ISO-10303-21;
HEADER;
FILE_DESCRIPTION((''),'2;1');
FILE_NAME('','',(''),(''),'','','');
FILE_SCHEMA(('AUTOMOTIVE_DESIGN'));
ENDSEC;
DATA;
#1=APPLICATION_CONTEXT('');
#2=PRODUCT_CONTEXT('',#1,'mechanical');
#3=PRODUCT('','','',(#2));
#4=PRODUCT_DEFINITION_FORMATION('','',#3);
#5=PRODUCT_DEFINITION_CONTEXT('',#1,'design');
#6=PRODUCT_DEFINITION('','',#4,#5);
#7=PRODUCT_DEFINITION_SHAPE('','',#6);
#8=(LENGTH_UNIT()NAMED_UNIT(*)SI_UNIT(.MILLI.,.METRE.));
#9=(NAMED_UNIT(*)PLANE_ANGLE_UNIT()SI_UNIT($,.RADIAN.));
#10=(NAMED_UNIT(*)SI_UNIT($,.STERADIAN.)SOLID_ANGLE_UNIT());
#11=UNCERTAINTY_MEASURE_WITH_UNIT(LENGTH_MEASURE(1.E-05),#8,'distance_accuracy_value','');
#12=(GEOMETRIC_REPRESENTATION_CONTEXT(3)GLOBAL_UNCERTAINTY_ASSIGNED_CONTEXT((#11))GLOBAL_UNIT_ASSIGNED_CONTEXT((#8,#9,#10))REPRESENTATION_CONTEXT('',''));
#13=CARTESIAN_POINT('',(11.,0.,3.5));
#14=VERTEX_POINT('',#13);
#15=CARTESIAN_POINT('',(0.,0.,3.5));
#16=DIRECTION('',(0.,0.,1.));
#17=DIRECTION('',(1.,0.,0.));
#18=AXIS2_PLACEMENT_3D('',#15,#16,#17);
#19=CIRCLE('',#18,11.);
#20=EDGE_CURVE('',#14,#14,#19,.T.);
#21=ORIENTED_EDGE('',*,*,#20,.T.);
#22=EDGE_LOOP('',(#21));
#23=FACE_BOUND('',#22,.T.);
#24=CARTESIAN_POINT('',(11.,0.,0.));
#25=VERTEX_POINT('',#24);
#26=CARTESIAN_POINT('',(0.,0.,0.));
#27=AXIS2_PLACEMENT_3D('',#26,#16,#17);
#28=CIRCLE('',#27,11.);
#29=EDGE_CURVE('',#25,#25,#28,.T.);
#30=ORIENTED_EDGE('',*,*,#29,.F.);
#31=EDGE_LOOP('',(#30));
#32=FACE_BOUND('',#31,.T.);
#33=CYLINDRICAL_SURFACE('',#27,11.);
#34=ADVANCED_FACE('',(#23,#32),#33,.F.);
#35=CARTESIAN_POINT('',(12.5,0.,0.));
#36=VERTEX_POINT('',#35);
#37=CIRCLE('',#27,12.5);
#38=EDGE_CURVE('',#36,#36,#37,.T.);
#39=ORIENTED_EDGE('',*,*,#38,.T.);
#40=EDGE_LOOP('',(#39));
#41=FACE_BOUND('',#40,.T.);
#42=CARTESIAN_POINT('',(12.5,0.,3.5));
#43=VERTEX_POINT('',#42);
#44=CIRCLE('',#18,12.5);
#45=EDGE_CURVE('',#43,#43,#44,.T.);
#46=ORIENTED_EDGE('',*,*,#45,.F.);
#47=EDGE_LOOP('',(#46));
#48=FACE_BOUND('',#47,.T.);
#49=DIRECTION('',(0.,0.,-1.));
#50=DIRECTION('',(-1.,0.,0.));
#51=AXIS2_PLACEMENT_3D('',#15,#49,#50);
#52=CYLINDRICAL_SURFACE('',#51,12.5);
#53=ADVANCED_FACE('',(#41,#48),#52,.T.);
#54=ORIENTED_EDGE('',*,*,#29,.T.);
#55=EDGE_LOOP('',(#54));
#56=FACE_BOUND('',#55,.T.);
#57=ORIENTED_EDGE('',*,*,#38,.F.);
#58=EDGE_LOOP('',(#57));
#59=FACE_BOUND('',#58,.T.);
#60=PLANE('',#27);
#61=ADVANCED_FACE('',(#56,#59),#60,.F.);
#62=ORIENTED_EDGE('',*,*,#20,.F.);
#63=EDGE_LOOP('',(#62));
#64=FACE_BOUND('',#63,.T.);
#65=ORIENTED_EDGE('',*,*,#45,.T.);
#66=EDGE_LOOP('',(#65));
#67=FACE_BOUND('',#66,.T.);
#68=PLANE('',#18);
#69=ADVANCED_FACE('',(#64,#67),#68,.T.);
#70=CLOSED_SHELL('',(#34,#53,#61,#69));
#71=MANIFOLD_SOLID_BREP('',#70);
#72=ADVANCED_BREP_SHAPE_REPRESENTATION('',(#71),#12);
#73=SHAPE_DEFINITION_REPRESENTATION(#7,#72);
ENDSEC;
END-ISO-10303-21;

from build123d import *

# Parameters (mm, degrees)
SKETCH1_R           = 12.5
BOSS_EXTRUDE1_DEPTH = 3.5
SKETCH2_R           = 11
CUT_EXTRUDE1_DEPTH  = 3.5


with BuildPart() as part:
    # Sketch1 → Boss-Extrude1 (new body)
    with BuildSketch(Plane.XY):
        Circle(SKETCH1_R)
    extrude(amount=BOSS_EXTRUDE1_DEPTH)

    # Sketch2 → Cut-Extrude1 (cut)
    with BuildSketch(Plane.XY.offset(3.5)):
        Circle(SKETCH2_R)
    extrude(amount=-CUT_EXTRUDE1_DEPTH, mode=Mode.SUBTRACT)


solid = part.part
